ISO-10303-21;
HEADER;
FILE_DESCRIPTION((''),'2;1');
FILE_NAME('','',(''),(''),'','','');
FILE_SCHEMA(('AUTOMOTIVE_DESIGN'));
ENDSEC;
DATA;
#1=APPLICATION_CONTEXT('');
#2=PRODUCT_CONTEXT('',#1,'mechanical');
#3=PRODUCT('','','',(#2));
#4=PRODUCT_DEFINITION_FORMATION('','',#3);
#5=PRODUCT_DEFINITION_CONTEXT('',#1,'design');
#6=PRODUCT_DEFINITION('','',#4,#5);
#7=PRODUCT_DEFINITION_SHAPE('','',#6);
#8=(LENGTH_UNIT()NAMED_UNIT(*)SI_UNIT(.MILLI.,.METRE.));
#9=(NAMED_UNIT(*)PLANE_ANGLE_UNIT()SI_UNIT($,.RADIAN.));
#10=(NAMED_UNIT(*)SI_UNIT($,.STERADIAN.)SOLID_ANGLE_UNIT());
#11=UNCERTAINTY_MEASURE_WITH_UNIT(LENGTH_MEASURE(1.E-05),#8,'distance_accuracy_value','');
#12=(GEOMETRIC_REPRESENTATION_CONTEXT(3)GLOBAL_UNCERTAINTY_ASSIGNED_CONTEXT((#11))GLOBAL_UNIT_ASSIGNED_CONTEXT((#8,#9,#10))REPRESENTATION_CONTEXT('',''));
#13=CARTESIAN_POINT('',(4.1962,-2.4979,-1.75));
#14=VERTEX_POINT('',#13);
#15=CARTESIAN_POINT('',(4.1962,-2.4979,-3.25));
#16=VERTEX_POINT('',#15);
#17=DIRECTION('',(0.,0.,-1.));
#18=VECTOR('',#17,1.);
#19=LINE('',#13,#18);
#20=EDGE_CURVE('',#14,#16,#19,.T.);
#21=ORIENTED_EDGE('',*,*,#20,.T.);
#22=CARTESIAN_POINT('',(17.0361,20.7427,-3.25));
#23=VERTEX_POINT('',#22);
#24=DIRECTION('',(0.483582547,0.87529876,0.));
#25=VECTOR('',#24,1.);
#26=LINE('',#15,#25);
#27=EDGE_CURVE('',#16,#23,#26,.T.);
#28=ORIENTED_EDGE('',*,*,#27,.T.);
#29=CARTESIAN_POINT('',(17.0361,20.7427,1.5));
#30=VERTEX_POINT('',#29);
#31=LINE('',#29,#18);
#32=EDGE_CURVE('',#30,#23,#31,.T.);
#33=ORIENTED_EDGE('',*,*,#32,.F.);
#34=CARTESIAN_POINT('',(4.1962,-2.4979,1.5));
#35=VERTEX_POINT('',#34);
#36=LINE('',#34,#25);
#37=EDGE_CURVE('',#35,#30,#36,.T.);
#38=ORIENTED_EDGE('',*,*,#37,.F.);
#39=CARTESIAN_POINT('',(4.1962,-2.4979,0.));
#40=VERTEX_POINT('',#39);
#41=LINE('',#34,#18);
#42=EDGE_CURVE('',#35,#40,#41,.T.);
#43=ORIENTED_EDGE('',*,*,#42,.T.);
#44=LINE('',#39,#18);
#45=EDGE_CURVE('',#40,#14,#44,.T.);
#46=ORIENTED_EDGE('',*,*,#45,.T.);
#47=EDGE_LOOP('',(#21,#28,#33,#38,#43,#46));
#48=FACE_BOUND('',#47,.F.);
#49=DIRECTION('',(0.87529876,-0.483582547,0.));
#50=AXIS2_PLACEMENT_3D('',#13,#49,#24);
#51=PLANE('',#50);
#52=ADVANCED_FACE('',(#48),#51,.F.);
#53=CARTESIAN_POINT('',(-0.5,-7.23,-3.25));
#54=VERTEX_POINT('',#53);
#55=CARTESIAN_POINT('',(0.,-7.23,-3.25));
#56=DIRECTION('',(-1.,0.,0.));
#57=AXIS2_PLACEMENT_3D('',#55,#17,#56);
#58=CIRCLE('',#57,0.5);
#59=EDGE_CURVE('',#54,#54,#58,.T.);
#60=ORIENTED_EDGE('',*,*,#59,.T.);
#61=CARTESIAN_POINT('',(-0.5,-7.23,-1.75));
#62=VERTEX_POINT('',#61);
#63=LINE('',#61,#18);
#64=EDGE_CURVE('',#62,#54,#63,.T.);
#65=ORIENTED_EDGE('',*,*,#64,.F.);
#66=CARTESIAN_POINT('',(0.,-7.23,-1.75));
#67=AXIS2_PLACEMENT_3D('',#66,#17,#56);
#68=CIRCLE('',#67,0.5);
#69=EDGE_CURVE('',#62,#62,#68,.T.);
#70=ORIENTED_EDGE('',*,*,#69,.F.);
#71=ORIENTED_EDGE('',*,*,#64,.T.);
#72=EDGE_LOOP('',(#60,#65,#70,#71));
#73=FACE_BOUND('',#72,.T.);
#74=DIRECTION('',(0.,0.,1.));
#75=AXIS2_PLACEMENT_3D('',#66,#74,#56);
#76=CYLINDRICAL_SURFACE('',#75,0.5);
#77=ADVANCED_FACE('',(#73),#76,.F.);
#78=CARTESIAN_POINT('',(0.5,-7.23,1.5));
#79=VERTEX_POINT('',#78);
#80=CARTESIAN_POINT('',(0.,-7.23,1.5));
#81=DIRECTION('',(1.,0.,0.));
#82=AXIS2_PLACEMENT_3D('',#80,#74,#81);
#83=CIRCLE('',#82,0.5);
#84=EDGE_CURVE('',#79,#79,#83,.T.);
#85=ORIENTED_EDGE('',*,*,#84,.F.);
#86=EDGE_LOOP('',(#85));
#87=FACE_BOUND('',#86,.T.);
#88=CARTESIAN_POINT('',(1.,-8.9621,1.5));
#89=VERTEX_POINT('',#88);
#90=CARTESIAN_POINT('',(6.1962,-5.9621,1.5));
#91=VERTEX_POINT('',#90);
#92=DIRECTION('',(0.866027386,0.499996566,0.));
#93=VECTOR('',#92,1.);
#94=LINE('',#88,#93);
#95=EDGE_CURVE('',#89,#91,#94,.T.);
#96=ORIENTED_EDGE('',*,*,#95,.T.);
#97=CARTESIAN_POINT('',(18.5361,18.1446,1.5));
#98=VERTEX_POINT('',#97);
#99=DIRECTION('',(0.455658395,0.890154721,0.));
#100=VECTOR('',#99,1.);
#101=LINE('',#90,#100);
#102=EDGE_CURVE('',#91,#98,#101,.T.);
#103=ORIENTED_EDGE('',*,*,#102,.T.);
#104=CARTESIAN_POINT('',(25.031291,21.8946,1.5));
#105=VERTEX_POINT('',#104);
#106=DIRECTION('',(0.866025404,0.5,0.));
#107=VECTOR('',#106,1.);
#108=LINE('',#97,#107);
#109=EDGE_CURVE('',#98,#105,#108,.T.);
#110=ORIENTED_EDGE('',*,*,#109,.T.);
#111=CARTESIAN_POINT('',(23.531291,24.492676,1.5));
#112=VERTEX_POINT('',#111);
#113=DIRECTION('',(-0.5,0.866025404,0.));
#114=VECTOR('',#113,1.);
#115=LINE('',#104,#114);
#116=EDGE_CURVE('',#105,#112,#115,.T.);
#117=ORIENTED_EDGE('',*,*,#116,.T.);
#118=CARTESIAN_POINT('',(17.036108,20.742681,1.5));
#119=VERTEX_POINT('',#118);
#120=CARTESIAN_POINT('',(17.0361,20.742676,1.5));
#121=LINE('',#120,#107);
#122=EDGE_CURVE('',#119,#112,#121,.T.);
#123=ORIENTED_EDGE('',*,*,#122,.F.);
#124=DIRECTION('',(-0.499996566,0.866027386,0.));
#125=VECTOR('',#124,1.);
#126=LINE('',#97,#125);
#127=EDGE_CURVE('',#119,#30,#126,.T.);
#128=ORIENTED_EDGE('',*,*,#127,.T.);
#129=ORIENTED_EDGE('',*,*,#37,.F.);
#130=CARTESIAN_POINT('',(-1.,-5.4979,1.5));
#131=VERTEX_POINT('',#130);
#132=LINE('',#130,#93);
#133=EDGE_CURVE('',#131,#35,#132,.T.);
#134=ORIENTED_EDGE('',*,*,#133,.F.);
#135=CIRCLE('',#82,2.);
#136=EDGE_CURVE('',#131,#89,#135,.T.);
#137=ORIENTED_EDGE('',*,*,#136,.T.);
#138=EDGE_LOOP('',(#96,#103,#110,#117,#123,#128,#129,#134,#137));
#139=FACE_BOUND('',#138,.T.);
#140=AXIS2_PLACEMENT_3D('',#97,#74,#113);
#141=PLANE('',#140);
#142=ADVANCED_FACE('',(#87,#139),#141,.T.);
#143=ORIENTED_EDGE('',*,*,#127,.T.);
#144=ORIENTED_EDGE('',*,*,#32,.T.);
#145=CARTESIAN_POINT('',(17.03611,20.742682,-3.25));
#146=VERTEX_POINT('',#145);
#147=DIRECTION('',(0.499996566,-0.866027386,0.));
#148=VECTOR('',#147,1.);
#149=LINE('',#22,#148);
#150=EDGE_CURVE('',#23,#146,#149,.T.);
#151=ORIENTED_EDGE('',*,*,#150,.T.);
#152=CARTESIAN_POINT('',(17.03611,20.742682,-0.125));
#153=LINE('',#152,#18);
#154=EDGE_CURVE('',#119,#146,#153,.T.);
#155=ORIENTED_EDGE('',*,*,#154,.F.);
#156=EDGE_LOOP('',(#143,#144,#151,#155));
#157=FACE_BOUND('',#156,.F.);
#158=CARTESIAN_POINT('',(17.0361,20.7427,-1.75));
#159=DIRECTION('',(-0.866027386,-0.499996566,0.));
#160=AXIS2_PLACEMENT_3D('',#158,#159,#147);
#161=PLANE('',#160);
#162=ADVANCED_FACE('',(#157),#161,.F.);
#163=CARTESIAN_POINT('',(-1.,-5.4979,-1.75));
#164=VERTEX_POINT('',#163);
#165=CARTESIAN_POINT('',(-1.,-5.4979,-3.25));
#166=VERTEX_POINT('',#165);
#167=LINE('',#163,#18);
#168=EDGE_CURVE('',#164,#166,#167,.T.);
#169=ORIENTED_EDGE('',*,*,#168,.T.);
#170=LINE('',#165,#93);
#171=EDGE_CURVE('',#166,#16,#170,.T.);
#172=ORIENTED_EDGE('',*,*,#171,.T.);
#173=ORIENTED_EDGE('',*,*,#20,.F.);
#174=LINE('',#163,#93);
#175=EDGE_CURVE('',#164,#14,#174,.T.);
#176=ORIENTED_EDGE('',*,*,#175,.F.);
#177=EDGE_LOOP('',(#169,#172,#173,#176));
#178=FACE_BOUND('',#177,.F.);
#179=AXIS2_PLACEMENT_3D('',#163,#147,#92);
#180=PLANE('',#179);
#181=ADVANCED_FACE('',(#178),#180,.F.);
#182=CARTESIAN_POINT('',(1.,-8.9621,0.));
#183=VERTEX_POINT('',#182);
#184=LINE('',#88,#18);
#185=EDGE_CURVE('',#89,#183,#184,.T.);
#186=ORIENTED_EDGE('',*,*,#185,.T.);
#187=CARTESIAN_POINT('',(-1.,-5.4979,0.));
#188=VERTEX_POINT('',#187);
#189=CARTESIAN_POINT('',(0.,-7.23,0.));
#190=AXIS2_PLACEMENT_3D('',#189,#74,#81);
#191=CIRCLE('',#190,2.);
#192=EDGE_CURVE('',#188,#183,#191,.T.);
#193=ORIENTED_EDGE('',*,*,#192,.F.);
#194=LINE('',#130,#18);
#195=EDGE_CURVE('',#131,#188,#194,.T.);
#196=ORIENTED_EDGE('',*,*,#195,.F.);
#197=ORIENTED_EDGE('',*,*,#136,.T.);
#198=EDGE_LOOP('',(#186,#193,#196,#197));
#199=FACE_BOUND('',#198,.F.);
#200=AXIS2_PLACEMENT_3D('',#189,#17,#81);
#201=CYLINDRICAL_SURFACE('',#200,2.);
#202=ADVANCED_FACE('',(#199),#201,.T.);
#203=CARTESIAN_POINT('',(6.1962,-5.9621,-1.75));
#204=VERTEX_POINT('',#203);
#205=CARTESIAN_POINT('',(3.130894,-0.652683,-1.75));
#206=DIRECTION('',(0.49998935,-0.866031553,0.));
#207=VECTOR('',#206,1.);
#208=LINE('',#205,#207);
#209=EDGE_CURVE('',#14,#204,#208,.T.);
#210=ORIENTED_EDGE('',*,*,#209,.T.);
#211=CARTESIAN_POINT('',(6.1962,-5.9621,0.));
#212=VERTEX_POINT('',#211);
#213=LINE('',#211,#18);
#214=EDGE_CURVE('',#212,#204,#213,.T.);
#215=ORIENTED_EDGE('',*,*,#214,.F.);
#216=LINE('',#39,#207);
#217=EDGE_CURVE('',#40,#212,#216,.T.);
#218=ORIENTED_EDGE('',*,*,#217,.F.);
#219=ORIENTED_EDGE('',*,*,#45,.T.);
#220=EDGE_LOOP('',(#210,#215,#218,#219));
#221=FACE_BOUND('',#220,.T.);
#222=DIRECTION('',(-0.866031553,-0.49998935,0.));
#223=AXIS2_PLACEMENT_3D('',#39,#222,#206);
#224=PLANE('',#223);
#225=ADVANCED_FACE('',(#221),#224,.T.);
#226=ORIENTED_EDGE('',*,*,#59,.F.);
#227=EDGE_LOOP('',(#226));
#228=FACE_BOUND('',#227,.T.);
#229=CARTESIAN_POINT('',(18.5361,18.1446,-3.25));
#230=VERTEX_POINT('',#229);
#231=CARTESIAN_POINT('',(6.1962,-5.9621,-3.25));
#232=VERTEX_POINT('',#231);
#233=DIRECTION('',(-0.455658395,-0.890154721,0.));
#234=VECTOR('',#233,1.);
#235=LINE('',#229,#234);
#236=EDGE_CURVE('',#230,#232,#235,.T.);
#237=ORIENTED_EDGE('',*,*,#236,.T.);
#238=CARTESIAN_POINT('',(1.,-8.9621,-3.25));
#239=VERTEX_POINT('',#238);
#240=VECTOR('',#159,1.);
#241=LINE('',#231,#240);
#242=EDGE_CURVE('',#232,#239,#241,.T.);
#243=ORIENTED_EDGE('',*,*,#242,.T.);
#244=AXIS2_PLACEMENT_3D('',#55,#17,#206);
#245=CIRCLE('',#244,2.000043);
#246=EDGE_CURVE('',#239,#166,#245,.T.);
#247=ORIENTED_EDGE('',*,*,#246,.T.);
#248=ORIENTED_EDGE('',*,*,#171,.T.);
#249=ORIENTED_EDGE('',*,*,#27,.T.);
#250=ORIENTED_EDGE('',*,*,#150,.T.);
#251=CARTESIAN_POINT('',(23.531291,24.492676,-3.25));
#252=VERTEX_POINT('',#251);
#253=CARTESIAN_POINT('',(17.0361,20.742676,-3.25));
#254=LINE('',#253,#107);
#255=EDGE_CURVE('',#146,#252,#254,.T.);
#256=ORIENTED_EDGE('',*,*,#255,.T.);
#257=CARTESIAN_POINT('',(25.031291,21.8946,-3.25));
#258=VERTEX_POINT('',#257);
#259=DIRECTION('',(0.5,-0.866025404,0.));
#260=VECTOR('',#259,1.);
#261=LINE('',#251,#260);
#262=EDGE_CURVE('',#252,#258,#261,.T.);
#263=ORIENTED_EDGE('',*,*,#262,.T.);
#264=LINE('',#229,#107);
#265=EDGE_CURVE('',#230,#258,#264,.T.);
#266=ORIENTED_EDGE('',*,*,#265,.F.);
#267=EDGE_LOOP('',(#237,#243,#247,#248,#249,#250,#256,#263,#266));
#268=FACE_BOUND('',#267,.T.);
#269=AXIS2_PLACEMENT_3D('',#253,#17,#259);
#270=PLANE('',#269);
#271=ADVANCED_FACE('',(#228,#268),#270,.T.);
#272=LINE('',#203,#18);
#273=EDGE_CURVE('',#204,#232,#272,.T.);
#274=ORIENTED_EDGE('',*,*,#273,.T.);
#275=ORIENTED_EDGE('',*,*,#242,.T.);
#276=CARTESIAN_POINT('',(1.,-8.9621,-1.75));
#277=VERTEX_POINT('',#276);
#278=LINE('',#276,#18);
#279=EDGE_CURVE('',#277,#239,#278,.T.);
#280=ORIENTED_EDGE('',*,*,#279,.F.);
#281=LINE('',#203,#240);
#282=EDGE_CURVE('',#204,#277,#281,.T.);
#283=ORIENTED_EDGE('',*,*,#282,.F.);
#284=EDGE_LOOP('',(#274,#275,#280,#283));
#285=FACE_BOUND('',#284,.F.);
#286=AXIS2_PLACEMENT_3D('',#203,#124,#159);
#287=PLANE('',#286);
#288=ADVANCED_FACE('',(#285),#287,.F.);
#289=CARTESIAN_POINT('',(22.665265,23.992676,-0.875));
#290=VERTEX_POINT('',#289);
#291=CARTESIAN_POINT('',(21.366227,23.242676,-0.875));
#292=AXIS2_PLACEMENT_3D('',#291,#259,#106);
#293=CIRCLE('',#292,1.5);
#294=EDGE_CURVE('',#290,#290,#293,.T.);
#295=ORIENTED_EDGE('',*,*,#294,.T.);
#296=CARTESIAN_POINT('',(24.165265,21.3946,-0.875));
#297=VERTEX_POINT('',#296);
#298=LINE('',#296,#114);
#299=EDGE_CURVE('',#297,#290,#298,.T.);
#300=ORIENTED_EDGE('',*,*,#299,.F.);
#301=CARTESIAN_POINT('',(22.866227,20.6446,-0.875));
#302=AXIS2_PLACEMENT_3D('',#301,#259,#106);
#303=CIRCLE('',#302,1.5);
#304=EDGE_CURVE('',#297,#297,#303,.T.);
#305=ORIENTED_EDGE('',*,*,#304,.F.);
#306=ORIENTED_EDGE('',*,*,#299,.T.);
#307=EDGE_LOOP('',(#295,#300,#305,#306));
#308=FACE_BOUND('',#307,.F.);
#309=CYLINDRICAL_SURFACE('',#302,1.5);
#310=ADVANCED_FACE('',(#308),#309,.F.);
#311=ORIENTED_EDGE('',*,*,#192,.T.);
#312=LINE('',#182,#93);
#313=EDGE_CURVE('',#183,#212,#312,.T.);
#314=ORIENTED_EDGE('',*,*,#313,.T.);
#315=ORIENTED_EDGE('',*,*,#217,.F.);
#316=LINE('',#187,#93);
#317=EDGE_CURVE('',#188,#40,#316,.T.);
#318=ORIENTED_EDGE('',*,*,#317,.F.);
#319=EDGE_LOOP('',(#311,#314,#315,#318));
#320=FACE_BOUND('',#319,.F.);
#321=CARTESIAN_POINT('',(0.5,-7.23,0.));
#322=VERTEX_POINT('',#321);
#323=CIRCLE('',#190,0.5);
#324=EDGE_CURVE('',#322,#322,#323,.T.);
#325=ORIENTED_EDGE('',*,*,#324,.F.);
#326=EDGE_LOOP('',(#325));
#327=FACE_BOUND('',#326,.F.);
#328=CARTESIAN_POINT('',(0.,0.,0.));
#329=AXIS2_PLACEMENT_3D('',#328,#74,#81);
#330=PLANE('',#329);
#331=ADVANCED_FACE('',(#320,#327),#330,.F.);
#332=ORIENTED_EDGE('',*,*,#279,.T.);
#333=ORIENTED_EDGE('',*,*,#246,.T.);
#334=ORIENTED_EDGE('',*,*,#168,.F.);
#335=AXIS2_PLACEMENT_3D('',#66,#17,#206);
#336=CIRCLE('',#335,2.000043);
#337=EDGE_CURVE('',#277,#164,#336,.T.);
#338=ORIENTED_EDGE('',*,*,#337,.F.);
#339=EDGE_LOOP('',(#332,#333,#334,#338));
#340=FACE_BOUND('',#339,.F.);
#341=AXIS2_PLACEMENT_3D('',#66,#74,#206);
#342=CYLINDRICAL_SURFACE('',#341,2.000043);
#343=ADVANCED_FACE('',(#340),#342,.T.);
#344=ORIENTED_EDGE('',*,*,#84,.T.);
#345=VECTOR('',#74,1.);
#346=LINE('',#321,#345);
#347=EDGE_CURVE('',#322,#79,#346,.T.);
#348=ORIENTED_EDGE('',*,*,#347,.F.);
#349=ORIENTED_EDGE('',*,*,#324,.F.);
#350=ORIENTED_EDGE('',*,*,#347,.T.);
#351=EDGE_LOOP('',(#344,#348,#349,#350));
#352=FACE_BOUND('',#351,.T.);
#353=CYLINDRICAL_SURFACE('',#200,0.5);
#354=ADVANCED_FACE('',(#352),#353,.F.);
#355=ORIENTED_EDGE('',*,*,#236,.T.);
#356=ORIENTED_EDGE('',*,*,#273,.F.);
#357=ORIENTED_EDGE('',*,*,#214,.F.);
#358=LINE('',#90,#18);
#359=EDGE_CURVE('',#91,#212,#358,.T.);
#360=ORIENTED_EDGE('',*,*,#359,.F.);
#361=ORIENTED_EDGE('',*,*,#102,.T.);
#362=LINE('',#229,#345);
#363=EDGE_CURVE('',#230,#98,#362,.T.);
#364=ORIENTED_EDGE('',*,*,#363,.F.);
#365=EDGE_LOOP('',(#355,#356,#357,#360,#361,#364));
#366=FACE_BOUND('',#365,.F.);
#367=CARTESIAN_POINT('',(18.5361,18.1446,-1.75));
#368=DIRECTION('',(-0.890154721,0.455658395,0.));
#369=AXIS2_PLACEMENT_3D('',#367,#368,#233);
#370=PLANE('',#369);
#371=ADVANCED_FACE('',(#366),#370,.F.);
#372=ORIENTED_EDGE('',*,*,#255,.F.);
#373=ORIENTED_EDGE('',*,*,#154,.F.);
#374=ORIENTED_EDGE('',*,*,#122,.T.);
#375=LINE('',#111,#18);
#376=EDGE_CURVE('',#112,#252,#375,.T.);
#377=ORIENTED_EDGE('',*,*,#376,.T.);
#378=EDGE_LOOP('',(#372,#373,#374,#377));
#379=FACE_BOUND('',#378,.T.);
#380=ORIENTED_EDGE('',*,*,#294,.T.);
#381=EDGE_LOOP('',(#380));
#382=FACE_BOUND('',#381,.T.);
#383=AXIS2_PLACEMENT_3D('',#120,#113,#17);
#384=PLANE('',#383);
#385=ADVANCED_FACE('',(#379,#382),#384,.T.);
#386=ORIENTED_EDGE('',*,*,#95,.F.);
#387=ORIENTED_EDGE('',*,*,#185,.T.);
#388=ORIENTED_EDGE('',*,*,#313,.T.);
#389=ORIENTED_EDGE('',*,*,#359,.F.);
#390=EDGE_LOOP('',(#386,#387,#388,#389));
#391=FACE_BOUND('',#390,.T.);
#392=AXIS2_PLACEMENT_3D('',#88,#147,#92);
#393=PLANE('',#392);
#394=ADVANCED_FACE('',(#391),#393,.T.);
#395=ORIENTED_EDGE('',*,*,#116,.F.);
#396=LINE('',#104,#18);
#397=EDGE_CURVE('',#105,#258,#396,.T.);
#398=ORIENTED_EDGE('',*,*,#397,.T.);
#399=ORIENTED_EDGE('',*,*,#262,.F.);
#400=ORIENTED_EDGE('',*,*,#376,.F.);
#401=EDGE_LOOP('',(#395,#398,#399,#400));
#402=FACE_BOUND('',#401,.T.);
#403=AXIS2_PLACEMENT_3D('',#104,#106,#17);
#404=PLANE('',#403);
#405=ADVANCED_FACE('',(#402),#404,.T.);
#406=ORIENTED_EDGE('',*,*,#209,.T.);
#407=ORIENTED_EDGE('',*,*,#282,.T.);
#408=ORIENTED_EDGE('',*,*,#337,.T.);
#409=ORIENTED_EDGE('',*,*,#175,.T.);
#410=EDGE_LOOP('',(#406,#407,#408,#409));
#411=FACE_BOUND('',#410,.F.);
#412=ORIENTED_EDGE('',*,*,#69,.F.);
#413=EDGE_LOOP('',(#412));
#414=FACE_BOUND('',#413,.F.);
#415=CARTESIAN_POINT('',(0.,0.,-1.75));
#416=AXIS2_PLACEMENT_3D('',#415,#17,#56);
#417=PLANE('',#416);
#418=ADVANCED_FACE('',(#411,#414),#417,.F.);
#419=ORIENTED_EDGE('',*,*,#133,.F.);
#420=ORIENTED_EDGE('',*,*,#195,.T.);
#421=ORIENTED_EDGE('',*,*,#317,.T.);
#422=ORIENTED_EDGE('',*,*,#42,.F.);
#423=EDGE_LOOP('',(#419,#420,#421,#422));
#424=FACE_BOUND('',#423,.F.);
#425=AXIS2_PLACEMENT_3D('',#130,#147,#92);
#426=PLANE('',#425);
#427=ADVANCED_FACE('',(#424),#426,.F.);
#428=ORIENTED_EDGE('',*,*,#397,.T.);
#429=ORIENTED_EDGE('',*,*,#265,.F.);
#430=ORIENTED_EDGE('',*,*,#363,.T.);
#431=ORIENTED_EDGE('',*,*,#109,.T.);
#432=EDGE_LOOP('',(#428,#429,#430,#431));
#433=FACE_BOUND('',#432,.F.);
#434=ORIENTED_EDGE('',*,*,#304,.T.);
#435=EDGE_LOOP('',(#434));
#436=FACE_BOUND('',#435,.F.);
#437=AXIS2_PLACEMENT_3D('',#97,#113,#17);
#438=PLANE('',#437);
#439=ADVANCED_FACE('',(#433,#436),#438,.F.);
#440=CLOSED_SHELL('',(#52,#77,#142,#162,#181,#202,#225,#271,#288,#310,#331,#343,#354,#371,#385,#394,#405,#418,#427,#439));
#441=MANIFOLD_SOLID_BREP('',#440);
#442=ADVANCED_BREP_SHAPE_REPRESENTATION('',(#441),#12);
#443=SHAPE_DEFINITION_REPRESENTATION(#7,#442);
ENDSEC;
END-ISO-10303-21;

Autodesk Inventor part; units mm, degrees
ref_plane "YZ Plane" through (0, 0, 0) normal (1, 0, 0) x (0, 1, 0)
ref_plane "XZ Plane" through (0, 0, 0) normal (0, 1, 0) x (-1, 0, 0)
ref_plane "XY Plane" through (0, 0, 0) normal (0, 0, 1) x (1, 0, 0)
sketch "Sketch1" plane through (0, 0, 0) normal (0, 0, 1) x (1, 0, 0)
  circle A0 centre (0, -7.23) radius 0.5 projected
  circle A1 centre (0, -7.23) radius 2
  point P0 (0, 0)
  dimension "d0" = 4
extrude "Extrusion1" add sketch "Sketch1" along normal blind 1.5
sketch "Sketch2" plane through (0, -7.23, 1.5) normal (0, 0, 1) x (1, 0, 0)
  circle A0 centre (0, 0) radius 2 projected
  circle A1 centre (0, 0) radius 0.5 projected
  circle A2 centre (0, 0) radius 2 projected
  line L0 (1, -1.7321) -> (6.1962, 1.2679)
  line L1 (-1, 1.7321) -> (4.1962, 4.7321)
  line L2 (22.8311, 17.6353) -> (-6.9601, 0.4353) construction
  circle A3 centre (0, 0) radius 2 projected
  line L3 (4.1962, 4.7321) -> (17.0361, 27.9727)
  line L4 (6.1962, 1.2679) -> (18.5361, 25.3746)
  line L5 (4.1962, 4.7321) -> (6.1962, 1.2679) construction
  line L6 (18.5361, 25.3746) -> (17.0361, 27.9727)
  line L7 (15.8361, 30.0512) -> (18.5361, 25.3746) construction
  point P0 (0, 7.23)
  point P1 (-1, 1.7321)
  point P2 (1, -1.7321)
  dimension "d4" = 6
  dimension "d13" = 3
extrude "Extrusion2" add sketch "Sketch2" against normal blind 1.5 contours A0 L1 L3 L6 L4 L0
ref_plane "Work Plane1" through (0, 0, -1.75) normal (0, 0, -1) x (-1, 0, 0)
sketch "Sketch3" plane through (0, 0, -1.75) normal (0, 0, -1) x (-1, 0, 0)
  line L0 (1, -5.4979) -> (-4.1962, -2.4979) projected
  line L1 (-4.1962, -2.4979) -> (-17.0361, 20.7427) projected
  line L2 (-17.0361, 20.7427) -> (-18.5361, 18.1446) projected
  line L3 (-18.5361, 18.1446) -> (-6.1962, -5.9621) projected
  line L4 (-6.1962, -5.9621) -> (-1, -8.9621) projected
  arc A0 (-1, -8.9621) -> (1, -5.4979) centre (0, -7.23) ccw projected
  circle A1 centre (0, -7.23) radius 0.5 projected
  point P0 (0, 0)
extrude "Extrusion3" add sketch "Sketch3" along normal blind 1.5
sketch "Sketch4" plane through (0, 0, 0) normal (0, 0, -1) x (-1, 0, 0)
  line L0 (-17.0361, 20.7427) -> (-18.5361, 18.1446) projected
  line L1 (-18.5361, 18.1446) -> (-6.1962, -5.9621) projected
  line L2 (-6.1962, -5.9621) -> (-1, -8.9621) projected
  arc A0 (-1, -8.9621) -> (1, -5.4979) centre (0, -7.23) ccw projected
  line L3 (1, -5.4979) -> (-4.1962, -2.4979) projected
  line L4 (-4.1962, -2.4979) -> (-17.0361, 20.7427) projected
  circle A1 centre (0, -7.23) radius 0.5 projected
  line L5 (1, -5.4979) -> (-4.1962, -2.4979) projected
  line L6 (-4.1962, -2.4979) -> (-6.1962, -5.9621)
  point P0 (0, 0)
extrude "Extrusion4" add sketch "Sketch4" along normal up to next contours L4 L6 L1 L0
sketch "Sketch5" plane through (18.5361, 18.1446, 1.5) normal (0.866, 0.5, 0) x (0, 0, -1)
  line L0 (0, 0) -> (0, 3) projected
  line L1 (0, 0) -> (4.75, 0) projected
  line L2 (4.75, 3) -> (4.75, 0) projected
  line L3 (0, 3) -> (4.75, 3) projected
  point P0 (1.5, -6.4457)
extrude "Extrusion5" add sketch "Sketch5" along normal blind 7.5
sketch "Sketch6" plane through (18.5361, 18.1446, -3.25) normal (0.5, -0.866, 0) x (0.866, 0.5, 0)
  line L0 (0, 4.75) -> (0, 0) projected
  line L1 (0, 0) -> (7.5, 0) projected
  line L2 (7.5, 4.75) -> (7.5, 0) projected
  line L3 (0, 4.75) -> (7.5, 4.75) projected
  circle A0 centre (5, 2.375) radius 1.5
  point P0 (-25.125, 3.25)
  point P1 (0, 2.375)
  point P2 (3.75, 0)
  dimension "d14" = 3
  dimension "d17" = 2.5
extrude "Extrusion6" cut sketch "Sketch6" against normal up to next contours A0
properties part number "Union_dedo_base"
